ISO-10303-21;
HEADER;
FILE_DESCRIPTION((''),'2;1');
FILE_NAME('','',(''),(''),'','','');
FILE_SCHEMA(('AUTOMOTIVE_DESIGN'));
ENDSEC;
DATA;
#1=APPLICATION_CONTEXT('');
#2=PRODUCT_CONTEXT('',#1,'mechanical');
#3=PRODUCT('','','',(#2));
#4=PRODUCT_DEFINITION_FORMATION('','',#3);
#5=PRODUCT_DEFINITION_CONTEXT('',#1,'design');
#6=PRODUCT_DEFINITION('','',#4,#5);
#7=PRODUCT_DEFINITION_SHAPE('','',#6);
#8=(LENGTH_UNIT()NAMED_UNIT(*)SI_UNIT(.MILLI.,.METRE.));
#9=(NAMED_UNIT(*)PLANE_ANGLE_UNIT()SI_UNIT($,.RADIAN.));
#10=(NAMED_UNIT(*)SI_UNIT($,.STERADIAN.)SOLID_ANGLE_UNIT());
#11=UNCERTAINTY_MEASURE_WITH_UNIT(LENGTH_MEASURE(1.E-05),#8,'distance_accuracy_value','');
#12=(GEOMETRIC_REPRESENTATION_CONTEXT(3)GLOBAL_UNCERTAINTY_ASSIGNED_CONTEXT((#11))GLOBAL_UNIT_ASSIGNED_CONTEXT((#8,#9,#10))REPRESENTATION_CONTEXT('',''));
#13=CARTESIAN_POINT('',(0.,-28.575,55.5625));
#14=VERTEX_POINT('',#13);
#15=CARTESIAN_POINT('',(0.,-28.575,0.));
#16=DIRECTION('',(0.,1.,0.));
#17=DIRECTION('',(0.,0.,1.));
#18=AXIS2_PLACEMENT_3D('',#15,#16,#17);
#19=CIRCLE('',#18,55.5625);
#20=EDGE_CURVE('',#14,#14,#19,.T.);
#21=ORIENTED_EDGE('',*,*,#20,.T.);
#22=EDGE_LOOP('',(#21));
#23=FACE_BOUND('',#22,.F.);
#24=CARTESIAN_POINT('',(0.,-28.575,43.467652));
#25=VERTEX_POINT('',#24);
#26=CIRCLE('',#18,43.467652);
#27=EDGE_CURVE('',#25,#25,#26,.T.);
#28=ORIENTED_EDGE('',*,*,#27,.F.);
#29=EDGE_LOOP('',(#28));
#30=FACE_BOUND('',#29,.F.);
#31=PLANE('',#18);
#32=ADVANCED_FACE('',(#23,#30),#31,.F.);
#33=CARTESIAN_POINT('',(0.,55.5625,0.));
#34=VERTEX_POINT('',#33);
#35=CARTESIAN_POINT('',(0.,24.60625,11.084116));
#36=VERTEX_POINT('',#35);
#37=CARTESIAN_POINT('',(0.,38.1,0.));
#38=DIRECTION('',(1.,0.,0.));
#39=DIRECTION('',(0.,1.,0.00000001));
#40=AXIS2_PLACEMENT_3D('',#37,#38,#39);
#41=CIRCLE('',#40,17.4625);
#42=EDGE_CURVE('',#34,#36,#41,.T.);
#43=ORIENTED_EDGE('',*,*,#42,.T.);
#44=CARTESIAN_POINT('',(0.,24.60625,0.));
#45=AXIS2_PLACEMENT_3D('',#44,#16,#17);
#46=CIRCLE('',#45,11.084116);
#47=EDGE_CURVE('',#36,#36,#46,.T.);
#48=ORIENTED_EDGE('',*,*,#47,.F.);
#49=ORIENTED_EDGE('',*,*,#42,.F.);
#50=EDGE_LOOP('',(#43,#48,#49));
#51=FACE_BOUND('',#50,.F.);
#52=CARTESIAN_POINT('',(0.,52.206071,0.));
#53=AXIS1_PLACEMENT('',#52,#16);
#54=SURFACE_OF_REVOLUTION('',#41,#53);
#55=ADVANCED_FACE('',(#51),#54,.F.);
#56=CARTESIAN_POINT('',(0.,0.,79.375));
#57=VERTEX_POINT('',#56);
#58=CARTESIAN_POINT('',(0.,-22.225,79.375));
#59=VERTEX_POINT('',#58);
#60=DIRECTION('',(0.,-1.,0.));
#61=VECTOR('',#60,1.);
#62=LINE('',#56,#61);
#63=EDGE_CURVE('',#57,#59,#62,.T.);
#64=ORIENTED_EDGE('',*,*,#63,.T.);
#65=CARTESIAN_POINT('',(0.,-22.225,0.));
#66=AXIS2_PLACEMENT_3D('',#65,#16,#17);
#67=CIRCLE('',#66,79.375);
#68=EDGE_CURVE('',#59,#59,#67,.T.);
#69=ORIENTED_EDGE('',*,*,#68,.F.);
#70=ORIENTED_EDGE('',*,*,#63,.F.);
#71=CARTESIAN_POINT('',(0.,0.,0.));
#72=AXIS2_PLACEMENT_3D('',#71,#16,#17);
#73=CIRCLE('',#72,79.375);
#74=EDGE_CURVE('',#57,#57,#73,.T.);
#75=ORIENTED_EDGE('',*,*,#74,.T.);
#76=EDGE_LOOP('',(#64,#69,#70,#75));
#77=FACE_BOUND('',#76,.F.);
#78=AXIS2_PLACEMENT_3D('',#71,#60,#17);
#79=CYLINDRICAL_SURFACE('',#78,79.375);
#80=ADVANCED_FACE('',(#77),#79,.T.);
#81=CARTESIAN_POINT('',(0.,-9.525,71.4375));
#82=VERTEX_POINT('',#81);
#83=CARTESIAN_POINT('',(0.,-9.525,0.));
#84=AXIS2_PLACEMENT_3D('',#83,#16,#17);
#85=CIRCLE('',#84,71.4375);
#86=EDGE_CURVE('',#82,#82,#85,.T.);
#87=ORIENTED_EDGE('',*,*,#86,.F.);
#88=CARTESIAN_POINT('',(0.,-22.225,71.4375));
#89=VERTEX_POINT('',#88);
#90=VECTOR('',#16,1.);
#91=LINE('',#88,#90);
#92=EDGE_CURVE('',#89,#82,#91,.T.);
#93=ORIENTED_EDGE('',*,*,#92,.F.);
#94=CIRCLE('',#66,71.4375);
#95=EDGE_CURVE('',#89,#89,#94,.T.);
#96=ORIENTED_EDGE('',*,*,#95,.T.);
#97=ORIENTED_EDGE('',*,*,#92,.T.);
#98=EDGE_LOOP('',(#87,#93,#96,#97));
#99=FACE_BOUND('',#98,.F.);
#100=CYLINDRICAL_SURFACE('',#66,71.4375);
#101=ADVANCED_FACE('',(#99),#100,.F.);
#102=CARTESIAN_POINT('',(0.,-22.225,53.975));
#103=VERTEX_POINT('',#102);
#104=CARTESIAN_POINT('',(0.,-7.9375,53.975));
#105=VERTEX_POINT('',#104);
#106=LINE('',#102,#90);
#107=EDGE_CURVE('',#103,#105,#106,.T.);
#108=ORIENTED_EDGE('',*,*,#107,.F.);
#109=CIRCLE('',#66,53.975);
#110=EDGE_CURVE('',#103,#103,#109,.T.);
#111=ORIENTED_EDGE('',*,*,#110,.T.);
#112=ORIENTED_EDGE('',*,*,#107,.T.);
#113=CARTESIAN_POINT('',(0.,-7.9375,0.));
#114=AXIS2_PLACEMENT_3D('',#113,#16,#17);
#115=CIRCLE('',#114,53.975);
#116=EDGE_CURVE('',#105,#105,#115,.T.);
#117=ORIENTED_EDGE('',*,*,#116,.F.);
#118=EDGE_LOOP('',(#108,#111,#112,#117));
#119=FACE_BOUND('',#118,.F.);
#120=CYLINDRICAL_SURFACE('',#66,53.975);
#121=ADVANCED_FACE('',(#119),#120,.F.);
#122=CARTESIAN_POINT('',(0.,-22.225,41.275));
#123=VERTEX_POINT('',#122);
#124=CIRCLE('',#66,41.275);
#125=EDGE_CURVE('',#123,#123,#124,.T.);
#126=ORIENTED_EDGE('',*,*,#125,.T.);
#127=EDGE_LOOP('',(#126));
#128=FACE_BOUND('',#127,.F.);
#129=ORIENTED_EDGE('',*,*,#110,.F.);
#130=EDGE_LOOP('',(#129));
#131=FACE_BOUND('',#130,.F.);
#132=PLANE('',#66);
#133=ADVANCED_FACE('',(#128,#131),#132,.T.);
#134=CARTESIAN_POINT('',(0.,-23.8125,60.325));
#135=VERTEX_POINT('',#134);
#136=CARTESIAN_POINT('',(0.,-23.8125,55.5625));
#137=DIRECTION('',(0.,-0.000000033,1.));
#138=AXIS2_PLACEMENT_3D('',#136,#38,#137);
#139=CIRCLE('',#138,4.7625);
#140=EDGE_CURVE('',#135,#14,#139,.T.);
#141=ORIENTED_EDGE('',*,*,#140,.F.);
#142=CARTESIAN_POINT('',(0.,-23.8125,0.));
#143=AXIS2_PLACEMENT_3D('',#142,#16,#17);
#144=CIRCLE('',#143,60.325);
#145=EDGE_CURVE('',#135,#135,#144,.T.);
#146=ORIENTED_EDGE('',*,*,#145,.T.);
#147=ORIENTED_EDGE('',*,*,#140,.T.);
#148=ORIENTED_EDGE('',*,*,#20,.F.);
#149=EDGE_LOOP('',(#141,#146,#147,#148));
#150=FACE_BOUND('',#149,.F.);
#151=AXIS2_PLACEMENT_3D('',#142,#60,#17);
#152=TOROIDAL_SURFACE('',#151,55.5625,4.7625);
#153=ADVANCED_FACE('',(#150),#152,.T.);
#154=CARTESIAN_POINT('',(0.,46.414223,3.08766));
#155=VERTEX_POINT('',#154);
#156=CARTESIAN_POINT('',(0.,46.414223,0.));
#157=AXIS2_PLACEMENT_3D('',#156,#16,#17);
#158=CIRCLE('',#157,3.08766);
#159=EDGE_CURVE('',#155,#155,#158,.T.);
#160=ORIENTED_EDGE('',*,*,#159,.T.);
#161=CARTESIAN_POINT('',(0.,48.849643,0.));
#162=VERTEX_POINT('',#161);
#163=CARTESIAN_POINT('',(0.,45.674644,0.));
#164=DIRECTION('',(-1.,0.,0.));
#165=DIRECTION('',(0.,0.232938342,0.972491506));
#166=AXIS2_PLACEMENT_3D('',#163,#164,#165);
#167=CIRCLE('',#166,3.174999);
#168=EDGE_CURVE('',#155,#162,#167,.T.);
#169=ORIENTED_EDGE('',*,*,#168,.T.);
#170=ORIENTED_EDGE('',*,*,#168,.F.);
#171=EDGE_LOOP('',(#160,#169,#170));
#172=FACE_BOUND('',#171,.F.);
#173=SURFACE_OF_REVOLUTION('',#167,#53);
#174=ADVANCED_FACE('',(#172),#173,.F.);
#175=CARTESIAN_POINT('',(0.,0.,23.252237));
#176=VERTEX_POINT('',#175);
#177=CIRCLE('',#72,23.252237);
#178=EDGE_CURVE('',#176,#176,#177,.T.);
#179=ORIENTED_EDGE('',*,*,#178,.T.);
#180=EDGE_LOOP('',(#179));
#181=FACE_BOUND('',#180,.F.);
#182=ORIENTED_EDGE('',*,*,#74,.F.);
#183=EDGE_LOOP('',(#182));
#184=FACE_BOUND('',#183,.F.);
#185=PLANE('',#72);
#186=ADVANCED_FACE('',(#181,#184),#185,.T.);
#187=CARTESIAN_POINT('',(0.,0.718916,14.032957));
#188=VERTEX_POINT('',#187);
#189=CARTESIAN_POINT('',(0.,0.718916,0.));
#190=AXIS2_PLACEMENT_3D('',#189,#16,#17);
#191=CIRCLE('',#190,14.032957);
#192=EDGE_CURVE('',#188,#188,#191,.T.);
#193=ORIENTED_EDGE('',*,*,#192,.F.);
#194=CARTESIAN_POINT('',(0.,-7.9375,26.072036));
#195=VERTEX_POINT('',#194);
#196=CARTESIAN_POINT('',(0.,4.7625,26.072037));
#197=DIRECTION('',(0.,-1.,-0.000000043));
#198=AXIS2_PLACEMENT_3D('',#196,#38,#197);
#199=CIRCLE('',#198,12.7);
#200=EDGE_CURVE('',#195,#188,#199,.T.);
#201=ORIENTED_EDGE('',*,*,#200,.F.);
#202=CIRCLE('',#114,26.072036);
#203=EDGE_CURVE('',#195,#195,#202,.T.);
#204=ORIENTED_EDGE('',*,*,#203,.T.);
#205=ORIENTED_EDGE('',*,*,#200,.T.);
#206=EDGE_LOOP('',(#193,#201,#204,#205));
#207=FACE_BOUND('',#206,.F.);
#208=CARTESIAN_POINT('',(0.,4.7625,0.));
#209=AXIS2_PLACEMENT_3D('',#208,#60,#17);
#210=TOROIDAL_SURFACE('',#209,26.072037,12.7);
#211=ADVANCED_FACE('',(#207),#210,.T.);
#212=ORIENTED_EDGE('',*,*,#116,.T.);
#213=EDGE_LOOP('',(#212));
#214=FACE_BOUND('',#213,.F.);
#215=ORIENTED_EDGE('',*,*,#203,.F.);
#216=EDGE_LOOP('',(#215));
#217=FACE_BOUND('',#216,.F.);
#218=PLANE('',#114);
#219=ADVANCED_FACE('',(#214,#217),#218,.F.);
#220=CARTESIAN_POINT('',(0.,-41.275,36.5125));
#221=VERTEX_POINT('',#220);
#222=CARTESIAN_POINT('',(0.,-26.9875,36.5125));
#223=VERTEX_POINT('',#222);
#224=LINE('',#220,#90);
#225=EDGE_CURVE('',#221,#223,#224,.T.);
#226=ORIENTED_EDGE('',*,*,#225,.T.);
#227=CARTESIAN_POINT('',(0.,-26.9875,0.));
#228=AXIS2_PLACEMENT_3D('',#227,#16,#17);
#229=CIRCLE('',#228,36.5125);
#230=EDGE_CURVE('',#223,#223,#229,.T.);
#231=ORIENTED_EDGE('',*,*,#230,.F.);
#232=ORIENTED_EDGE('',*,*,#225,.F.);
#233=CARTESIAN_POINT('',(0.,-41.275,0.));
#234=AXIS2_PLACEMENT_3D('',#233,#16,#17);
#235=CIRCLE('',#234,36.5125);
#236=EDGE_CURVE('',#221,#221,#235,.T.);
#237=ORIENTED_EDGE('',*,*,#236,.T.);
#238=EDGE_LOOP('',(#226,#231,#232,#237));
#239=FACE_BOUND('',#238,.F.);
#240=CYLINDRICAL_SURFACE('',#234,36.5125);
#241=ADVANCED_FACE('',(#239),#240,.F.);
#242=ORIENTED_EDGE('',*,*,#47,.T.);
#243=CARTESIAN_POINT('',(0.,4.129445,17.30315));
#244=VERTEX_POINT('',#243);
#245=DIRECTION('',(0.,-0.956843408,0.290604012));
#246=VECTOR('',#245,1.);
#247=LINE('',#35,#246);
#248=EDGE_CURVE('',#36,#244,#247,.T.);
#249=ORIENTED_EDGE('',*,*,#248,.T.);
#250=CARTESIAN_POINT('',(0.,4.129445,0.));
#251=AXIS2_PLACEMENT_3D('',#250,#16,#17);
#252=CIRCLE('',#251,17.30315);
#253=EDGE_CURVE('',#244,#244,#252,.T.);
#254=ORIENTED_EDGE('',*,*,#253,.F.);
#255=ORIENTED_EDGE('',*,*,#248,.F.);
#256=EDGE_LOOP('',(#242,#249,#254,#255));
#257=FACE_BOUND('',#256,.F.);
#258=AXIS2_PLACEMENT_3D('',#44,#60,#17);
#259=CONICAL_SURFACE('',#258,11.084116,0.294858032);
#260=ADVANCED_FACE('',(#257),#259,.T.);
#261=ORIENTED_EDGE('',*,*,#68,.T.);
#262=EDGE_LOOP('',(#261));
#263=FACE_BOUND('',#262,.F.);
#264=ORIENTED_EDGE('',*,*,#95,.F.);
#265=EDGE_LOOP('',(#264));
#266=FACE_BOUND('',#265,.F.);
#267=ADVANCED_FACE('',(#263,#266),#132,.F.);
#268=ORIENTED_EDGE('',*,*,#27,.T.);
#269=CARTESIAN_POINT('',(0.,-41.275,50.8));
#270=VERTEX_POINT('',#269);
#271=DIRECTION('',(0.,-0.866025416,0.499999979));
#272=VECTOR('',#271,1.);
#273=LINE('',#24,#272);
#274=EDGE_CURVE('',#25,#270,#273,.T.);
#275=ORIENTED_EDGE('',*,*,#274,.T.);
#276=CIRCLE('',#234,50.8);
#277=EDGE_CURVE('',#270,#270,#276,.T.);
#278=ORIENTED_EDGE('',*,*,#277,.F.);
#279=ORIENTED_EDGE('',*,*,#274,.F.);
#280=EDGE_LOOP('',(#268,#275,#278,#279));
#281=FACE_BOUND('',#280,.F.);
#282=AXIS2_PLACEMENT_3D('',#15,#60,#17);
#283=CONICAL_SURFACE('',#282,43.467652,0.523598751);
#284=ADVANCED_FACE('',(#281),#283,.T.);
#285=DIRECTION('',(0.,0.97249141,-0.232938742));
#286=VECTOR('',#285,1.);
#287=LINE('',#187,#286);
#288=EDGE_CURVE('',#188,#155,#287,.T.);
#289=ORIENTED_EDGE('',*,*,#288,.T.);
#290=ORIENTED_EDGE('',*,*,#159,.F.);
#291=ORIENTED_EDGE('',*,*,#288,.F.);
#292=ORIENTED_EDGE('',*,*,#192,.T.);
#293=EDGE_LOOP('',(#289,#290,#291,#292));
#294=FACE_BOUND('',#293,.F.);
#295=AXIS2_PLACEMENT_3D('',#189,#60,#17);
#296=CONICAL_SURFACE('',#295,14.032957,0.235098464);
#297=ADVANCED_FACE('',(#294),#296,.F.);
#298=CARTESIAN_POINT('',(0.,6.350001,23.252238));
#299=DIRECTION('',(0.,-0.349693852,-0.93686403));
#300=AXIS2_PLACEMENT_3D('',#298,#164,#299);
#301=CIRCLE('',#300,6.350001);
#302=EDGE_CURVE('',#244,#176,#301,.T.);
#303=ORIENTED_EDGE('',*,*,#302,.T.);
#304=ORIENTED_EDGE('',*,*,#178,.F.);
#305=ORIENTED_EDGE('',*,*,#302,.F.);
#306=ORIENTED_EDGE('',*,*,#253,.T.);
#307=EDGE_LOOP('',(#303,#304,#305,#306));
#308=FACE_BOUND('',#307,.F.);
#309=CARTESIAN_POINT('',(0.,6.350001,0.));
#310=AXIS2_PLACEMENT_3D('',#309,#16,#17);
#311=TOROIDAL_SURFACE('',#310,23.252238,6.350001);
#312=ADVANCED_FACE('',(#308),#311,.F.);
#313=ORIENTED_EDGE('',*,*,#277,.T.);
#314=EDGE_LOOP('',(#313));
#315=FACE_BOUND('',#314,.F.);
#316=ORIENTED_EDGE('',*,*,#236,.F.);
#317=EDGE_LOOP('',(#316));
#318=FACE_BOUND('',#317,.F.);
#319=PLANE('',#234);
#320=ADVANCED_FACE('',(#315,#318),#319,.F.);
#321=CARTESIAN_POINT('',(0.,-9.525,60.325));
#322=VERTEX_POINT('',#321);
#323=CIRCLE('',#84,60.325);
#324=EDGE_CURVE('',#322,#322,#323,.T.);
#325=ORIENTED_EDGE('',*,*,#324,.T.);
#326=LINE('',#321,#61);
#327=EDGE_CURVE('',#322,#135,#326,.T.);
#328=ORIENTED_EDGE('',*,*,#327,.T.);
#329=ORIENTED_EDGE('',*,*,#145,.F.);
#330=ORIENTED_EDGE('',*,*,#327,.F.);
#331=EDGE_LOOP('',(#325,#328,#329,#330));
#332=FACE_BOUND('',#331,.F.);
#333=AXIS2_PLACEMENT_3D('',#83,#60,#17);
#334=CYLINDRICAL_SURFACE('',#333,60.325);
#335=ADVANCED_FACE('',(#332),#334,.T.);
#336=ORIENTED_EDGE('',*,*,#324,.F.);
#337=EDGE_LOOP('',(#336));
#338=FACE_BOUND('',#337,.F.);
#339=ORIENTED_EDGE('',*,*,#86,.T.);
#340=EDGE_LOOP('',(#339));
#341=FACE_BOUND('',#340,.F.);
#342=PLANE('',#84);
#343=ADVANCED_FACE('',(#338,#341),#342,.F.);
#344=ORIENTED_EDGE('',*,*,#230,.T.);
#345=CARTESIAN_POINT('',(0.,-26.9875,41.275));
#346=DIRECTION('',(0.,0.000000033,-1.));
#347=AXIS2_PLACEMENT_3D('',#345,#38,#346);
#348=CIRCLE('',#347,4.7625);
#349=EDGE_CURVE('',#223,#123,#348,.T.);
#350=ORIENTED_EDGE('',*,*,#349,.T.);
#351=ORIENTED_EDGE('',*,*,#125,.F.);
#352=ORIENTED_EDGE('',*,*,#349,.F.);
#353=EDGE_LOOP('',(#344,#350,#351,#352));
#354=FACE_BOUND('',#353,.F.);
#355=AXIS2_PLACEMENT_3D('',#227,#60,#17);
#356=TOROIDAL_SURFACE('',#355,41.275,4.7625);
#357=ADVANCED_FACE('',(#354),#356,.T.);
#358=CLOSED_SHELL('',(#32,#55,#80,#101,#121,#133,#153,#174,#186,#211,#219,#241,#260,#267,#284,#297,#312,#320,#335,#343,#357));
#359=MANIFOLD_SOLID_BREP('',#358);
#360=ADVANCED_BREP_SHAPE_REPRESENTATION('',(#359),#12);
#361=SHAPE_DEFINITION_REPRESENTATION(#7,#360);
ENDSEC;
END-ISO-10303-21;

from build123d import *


with BuildPart() as f1:
    # F0 (on Right) → F1 (revolve)
    with BuildSketch(Plane.YZ):
        with BuildLine():
            Line((0, 23.252237), (0, 79.375))
            Line((0, 79.375), (-22.225, 79.375))
            Line((-22.225, 79.375), (-22.225, 71.4375))
            Line((-22.225, 71.4375), (-9.525, 71.4375))
            Line((-9.525, 71.4375), (-9.525, 60.325))
            Line((-9.525, 60.325), (-23.8125, 60.325))
            ThreePointArc((-23.8125, 60.325), (-27.180096, 58.930096), (-28.575, 55.5625))
            Line((-28.575, 55.5625), (-28.575, 43.467652))
            Line((-28.575, 43.467652), (-41.275, 50.8))
            Line((-41.275, 50.8), (-41.275, 36.5125))
            Line((-41.275, 36.5125), (-26.9875, 36.5125))
            ThreePointArc((-26.9875, 36.5125), (-23.619904, 37.907404), (-22.225, 41.275))
            Line((-22.225, 41.275), (-22.225, 53.975))
            Line((-22.225, 53.975), (-7.9375, 53.975))
            Line((-7.9375, 53.975), (-7.9375, 26.072036))
            ThreePointArc((-7.9375, 26.072036), (-5.548744, 18.657979), (0.718916, 14.032957))
            Line((0.718916, 14.032957), (46.414223, 3.08766))
            ThreePointArc((46.414223, 3.08766), (48.167512, 1.966273), (48.849643, 0))
            Line((48.849643, 0), (55.5625, 0))
            ThreePointArc((55.5625, 0), (43.986608, 16.4404), (24.60625, 11.084116))
            Line((24.60625, 11.084116), (4.129445, 17.30315))
            ThreePointArc((4.129445, 17.30315), (1.133535, 19.631327), (0, 23.252237))
        make_face()
    revolve(axis=Axis((0, 52.206071, 0), (0, 1, 0)))


solid = f1.part
